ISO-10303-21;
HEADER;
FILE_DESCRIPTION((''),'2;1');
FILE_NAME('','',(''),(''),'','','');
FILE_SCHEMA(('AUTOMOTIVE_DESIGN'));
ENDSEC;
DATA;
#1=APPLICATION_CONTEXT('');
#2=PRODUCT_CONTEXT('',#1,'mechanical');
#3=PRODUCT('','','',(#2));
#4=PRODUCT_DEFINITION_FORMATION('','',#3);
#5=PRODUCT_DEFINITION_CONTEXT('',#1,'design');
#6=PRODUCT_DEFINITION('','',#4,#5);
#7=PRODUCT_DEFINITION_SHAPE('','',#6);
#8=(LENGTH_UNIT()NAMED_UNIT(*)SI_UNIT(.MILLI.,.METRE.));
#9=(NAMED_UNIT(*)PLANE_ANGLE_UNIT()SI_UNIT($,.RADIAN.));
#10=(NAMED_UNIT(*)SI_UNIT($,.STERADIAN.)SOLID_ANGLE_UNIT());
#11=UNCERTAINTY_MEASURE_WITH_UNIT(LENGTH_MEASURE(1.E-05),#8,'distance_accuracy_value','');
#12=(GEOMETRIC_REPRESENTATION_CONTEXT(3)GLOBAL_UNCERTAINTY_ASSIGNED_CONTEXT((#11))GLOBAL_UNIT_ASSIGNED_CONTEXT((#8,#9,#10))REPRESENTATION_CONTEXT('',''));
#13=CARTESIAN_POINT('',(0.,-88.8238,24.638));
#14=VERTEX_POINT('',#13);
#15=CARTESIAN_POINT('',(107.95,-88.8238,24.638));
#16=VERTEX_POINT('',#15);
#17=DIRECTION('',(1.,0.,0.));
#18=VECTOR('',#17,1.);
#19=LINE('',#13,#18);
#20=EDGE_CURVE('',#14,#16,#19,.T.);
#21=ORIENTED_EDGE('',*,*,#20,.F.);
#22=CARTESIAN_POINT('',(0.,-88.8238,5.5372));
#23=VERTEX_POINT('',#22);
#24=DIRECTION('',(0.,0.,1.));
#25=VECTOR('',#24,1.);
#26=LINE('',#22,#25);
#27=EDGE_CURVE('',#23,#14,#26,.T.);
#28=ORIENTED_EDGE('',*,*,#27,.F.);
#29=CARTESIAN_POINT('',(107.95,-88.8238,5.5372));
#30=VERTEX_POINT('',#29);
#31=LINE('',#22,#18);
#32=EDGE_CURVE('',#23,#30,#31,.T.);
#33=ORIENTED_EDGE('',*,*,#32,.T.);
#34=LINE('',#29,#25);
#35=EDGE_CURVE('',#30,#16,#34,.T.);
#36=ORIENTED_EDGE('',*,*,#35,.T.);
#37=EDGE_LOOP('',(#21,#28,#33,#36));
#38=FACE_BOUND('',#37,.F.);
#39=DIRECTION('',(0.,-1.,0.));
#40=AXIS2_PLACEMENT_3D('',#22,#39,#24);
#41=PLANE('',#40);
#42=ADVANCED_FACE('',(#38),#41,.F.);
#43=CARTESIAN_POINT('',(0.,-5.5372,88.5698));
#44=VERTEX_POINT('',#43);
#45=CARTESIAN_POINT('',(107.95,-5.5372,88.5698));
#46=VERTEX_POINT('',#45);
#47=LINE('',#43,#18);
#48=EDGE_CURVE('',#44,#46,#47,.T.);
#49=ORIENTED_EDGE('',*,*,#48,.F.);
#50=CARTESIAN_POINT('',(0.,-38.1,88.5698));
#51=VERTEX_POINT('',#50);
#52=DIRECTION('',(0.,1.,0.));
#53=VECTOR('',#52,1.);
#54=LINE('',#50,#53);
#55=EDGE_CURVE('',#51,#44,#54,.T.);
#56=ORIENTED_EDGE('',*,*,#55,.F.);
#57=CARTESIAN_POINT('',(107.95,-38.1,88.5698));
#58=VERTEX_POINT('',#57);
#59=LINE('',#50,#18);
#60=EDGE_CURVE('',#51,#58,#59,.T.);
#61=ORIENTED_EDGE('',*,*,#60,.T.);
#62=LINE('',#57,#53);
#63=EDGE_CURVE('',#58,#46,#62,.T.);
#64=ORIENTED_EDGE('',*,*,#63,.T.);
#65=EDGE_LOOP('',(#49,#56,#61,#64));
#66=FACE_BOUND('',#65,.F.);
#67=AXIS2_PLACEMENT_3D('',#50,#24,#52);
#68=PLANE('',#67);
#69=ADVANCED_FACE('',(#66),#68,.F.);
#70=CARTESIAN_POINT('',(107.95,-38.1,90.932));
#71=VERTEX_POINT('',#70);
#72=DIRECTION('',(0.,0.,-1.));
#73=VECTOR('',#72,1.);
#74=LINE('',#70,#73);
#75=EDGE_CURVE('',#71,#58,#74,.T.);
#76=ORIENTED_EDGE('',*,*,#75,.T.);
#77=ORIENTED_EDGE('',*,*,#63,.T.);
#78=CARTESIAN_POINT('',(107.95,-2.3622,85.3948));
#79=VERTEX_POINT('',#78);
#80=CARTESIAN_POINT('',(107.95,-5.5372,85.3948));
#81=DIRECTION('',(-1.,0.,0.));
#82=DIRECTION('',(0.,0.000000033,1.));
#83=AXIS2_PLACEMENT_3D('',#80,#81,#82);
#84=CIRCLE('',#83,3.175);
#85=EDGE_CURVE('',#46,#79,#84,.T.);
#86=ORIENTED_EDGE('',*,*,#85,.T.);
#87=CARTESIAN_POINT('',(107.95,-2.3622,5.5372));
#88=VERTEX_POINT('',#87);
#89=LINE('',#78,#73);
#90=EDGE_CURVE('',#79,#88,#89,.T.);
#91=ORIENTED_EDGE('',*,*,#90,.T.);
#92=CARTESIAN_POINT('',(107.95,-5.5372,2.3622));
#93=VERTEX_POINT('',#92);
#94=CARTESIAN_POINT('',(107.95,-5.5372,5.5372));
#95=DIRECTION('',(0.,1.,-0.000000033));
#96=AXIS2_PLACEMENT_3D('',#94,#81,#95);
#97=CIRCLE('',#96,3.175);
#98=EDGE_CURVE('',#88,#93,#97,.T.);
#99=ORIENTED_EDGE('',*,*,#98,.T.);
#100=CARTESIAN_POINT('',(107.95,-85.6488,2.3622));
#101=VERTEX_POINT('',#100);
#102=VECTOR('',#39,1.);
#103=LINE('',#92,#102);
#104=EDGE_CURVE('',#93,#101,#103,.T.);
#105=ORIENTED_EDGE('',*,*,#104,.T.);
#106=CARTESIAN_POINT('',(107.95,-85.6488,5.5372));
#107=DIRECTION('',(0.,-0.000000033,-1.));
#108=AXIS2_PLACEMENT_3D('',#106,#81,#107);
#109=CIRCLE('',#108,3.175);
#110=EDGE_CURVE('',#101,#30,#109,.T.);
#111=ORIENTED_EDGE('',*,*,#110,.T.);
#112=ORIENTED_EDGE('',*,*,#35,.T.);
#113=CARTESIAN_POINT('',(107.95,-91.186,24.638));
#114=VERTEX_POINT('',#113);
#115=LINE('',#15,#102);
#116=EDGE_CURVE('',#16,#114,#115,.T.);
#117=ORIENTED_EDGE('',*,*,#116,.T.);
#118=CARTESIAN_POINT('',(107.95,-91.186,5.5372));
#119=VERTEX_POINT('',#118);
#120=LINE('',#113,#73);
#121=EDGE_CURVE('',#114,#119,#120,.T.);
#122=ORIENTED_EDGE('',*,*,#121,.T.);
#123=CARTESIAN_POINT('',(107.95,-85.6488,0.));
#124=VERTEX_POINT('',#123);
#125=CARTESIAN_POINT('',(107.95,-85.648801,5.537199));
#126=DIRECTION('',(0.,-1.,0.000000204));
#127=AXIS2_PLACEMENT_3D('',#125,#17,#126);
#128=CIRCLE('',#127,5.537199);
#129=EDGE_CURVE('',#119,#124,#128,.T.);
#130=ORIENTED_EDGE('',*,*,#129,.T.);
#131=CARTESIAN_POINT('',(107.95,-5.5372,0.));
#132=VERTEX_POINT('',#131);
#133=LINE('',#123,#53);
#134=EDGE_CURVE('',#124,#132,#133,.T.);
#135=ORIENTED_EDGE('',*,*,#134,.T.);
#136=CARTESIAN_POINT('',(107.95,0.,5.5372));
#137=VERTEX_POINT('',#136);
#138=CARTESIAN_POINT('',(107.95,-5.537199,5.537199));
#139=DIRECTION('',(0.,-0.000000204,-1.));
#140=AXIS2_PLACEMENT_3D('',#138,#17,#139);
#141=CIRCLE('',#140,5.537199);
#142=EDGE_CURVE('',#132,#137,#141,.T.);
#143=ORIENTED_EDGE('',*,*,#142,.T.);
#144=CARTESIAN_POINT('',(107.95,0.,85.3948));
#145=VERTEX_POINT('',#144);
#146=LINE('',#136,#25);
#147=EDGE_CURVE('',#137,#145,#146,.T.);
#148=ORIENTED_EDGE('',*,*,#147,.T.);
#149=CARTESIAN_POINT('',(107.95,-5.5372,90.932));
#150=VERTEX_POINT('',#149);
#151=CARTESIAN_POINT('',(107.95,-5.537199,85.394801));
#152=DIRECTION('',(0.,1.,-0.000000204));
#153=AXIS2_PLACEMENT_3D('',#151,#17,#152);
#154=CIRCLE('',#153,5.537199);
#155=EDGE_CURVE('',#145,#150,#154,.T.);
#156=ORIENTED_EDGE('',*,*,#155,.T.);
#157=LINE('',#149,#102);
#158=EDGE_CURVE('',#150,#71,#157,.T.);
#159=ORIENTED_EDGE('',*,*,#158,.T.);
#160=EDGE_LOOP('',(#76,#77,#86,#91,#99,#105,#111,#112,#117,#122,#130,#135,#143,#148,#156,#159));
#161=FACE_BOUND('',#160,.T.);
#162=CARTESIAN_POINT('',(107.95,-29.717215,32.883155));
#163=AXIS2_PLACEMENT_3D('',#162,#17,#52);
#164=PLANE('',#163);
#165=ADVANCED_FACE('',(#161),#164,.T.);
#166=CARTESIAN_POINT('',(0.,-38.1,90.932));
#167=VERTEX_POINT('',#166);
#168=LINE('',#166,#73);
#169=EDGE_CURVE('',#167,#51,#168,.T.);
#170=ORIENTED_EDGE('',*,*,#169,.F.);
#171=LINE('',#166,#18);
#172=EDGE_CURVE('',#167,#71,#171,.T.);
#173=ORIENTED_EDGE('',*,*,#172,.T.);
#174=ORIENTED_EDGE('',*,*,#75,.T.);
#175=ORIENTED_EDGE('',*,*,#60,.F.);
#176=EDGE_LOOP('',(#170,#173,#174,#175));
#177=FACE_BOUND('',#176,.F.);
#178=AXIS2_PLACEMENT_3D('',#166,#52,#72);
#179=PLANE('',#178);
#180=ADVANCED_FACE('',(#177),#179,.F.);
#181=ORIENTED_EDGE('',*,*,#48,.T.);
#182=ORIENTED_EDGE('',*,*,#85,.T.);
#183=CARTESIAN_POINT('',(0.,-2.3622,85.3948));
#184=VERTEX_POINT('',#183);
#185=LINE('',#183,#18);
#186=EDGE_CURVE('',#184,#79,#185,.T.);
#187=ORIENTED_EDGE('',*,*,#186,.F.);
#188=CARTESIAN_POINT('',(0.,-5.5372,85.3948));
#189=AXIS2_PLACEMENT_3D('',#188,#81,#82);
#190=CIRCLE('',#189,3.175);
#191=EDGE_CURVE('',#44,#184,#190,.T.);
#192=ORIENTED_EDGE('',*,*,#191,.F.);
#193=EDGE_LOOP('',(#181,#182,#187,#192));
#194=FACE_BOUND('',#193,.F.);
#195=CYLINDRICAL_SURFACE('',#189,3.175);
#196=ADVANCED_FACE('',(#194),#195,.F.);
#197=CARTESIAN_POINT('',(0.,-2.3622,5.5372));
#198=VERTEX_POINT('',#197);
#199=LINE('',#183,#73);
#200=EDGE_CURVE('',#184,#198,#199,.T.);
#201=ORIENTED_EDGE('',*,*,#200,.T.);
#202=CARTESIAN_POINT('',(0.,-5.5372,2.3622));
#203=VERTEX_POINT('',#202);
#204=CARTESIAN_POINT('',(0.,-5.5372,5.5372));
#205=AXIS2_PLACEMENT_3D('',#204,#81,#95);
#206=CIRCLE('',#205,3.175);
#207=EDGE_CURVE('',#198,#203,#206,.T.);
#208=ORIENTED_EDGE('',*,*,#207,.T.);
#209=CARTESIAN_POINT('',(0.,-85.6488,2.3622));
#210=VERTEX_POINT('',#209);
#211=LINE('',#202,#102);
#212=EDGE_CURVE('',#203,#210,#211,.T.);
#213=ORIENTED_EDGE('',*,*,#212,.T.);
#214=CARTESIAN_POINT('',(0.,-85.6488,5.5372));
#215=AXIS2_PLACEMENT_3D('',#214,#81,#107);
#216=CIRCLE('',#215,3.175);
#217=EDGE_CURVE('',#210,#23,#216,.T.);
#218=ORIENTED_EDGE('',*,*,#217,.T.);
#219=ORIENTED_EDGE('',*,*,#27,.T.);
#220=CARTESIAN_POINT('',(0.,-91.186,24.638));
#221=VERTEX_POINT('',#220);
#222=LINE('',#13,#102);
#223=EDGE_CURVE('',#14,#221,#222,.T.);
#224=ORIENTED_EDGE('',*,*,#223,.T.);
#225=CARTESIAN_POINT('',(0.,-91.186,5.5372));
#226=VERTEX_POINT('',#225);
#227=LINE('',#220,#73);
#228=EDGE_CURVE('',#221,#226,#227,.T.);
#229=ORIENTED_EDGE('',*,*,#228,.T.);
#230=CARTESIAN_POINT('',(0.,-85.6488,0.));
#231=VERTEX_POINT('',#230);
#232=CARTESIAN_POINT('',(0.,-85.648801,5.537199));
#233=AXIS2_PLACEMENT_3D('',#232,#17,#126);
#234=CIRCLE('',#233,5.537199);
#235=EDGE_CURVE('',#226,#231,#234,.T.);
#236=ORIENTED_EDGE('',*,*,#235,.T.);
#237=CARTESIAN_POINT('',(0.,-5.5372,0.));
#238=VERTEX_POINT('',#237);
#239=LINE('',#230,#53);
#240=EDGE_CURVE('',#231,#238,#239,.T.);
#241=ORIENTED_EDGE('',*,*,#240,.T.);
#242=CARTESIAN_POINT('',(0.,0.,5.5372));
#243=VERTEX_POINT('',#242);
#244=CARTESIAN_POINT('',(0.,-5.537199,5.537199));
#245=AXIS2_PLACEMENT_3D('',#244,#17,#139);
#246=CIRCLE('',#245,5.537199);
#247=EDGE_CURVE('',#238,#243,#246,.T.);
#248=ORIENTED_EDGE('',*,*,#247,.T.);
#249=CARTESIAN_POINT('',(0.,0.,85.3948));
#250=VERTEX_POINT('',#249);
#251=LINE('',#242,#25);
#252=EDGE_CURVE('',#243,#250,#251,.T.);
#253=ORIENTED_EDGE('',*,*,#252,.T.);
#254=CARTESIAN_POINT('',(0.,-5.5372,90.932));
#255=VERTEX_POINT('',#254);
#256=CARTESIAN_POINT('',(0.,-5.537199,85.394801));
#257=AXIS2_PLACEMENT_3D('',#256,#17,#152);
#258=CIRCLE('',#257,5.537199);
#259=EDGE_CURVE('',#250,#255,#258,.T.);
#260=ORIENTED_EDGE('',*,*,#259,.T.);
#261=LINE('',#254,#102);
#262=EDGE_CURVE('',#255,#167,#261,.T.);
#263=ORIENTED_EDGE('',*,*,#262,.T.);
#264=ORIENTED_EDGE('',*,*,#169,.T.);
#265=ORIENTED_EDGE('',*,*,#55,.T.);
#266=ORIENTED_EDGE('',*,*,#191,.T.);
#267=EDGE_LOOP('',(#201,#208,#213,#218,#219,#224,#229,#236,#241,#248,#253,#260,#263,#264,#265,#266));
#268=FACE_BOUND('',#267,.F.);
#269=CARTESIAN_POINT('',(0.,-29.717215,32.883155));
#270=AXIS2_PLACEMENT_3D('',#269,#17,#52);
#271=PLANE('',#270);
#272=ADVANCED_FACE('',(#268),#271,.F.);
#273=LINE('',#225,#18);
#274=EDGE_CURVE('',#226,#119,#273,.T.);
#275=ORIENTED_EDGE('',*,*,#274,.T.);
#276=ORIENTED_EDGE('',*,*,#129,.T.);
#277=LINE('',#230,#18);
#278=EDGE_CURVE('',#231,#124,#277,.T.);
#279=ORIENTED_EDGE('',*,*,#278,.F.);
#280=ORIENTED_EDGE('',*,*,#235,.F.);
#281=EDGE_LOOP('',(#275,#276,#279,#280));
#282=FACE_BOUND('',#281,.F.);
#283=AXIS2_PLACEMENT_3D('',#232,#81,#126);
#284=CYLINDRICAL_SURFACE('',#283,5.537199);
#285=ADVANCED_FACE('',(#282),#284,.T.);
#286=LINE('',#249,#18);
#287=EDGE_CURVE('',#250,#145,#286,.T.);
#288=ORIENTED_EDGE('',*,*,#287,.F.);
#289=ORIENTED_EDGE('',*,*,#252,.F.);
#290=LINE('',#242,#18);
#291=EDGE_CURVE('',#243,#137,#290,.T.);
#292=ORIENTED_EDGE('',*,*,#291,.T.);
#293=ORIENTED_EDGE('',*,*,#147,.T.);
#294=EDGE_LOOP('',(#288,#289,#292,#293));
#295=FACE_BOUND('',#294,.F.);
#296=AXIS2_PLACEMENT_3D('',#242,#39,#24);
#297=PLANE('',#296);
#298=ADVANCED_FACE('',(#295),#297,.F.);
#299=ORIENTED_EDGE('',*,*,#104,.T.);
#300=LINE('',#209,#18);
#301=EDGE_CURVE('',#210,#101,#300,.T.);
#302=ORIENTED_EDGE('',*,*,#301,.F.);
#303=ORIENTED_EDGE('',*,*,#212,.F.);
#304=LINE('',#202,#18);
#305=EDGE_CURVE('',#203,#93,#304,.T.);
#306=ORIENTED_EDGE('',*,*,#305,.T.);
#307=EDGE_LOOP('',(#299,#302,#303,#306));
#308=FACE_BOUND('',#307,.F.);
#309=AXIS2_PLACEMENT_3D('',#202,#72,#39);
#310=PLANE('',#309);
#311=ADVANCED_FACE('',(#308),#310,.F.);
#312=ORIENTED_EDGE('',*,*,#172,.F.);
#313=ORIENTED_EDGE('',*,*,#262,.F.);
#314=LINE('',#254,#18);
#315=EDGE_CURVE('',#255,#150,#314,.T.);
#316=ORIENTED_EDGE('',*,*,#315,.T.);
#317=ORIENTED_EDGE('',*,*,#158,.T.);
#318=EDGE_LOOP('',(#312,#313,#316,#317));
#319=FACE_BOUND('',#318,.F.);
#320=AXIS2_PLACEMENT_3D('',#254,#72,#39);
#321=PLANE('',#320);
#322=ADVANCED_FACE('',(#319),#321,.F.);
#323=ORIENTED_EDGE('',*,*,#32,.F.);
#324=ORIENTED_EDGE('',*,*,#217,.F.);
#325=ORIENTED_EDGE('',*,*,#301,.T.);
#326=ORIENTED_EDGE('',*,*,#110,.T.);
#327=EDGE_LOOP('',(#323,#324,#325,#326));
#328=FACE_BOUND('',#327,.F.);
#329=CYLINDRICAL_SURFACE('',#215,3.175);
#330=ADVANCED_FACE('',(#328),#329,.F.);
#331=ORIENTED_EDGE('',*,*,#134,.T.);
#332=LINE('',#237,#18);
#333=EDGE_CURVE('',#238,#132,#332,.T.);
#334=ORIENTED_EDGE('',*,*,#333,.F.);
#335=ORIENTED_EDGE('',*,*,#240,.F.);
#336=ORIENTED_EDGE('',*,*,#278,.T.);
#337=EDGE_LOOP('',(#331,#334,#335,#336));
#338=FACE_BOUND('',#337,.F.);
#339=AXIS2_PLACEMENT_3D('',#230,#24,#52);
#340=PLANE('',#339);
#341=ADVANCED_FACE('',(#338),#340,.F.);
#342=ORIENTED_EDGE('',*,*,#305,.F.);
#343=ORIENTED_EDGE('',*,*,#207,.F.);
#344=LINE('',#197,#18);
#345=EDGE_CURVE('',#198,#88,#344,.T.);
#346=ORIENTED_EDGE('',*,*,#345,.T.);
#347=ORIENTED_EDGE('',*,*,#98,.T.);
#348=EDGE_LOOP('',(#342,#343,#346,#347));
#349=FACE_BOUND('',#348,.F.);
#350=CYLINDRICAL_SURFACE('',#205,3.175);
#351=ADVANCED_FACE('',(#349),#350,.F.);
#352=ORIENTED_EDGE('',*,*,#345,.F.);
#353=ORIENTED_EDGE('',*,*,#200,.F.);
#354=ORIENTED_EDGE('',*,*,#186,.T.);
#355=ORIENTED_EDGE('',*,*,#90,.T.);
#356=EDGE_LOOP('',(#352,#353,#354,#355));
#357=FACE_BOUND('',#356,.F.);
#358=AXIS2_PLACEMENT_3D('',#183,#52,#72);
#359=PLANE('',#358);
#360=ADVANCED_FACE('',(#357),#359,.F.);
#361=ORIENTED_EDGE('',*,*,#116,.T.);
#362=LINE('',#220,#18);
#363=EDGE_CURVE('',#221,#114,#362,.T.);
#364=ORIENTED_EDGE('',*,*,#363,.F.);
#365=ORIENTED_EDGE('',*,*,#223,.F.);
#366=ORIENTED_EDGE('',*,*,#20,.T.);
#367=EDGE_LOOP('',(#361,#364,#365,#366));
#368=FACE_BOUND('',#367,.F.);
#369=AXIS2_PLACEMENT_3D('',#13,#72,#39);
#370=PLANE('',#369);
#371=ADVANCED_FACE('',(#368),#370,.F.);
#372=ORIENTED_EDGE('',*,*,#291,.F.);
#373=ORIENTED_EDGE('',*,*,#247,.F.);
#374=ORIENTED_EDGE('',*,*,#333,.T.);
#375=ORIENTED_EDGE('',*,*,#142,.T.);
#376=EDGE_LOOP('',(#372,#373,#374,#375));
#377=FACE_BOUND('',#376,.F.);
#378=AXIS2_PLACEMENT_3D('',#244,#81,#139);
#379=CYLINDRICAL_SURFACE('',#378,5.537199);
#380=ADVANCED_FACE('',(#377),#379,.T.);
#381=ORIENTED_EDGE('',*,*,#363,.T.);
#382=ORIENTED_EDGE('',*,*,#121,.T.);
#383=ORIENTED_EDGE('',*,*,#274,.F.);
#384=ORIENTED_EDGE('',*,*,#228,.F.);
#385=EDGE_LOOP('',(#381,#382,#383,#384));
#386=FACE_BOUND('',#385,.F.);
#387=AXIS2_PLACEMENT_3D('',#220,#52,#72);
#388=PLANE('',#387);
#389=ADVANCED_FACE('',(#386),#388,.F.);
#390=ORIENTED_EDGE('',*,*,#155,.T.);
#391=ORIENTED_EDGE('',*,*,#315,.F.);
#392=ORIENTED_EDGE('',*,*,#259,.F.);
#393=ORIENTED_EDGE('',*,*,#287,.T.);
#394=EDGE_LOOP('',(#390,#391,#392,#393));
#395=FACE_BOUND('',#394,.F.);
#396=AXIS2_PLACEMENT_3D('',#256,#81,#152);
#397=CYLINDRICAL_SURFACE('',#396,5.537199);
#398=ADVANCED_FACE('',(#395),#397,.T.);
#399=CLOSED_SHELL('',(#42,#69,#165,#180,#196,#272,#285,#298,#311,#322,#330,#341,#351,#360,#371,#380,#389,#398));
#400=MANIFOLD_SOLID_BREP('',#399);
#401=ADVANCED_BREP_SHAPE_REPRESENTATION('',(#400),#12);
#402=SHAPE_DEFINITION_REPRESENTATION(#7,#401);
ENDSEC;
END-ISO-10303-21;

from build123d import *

# Parameters (mm, degrees)
F1_DEPTH = 107.95


with BuildPart() as f1:
    # F0 (on Right) → F1 (new body)
    with BuildSketch(Plane.YZ):
        with BuildLine():
            Line((-88.8238, 24.638), (-91.186, 24.638))
            Line((-91.186, 24.638), (-91.186, 5.5372))
            ThreePointArc((-91.186, 5.5372), (-89.564192, 1.621808), (-85.6488, 0))
            Line((-85.6488, 0), (-5.5372, 0))
            ThreePointArc((-5.5372, 0), (-1.621808, 1.621808), (0, 5.5372))
            Line((0, 5.5372), (0, 85.3948))
            ThreePointArc((0, 85.3948), (-1.621808, 89.310192), (-5.5372, 90.932))
            Line((-5.5372, 90.932), (-38.1, 90.932))
            Line((-38.1, 90.932), (-38.1, 88.5698))
            Line((-38.1, 88.5698), (-5.5372, 88.5698))
            ThreePointArc((-5.5372, 88.5698), (-3.292136, 87.639864), (-2.3622, 85.3948))
            Line((-2.3622, 85.3948), (-2.3622, 5.5372))
            ThreePointArc((-2.3622, 5.5372), (-3.292136, 3.292136), (-5.5372, 2.3622))
            Line((-5.5372, 2.3622), (-85.6488, 2.3622))
            ThreePointArc((-85.6488, 2.3622), (-87.893864, 3.292136), (-88.8238, 5.5372))
            Line((-88.8238, 5.5372), (-88.8238, 24.638))
        make_face()
    extrude(amount=F1_DEPTH)


solid = f1.part
